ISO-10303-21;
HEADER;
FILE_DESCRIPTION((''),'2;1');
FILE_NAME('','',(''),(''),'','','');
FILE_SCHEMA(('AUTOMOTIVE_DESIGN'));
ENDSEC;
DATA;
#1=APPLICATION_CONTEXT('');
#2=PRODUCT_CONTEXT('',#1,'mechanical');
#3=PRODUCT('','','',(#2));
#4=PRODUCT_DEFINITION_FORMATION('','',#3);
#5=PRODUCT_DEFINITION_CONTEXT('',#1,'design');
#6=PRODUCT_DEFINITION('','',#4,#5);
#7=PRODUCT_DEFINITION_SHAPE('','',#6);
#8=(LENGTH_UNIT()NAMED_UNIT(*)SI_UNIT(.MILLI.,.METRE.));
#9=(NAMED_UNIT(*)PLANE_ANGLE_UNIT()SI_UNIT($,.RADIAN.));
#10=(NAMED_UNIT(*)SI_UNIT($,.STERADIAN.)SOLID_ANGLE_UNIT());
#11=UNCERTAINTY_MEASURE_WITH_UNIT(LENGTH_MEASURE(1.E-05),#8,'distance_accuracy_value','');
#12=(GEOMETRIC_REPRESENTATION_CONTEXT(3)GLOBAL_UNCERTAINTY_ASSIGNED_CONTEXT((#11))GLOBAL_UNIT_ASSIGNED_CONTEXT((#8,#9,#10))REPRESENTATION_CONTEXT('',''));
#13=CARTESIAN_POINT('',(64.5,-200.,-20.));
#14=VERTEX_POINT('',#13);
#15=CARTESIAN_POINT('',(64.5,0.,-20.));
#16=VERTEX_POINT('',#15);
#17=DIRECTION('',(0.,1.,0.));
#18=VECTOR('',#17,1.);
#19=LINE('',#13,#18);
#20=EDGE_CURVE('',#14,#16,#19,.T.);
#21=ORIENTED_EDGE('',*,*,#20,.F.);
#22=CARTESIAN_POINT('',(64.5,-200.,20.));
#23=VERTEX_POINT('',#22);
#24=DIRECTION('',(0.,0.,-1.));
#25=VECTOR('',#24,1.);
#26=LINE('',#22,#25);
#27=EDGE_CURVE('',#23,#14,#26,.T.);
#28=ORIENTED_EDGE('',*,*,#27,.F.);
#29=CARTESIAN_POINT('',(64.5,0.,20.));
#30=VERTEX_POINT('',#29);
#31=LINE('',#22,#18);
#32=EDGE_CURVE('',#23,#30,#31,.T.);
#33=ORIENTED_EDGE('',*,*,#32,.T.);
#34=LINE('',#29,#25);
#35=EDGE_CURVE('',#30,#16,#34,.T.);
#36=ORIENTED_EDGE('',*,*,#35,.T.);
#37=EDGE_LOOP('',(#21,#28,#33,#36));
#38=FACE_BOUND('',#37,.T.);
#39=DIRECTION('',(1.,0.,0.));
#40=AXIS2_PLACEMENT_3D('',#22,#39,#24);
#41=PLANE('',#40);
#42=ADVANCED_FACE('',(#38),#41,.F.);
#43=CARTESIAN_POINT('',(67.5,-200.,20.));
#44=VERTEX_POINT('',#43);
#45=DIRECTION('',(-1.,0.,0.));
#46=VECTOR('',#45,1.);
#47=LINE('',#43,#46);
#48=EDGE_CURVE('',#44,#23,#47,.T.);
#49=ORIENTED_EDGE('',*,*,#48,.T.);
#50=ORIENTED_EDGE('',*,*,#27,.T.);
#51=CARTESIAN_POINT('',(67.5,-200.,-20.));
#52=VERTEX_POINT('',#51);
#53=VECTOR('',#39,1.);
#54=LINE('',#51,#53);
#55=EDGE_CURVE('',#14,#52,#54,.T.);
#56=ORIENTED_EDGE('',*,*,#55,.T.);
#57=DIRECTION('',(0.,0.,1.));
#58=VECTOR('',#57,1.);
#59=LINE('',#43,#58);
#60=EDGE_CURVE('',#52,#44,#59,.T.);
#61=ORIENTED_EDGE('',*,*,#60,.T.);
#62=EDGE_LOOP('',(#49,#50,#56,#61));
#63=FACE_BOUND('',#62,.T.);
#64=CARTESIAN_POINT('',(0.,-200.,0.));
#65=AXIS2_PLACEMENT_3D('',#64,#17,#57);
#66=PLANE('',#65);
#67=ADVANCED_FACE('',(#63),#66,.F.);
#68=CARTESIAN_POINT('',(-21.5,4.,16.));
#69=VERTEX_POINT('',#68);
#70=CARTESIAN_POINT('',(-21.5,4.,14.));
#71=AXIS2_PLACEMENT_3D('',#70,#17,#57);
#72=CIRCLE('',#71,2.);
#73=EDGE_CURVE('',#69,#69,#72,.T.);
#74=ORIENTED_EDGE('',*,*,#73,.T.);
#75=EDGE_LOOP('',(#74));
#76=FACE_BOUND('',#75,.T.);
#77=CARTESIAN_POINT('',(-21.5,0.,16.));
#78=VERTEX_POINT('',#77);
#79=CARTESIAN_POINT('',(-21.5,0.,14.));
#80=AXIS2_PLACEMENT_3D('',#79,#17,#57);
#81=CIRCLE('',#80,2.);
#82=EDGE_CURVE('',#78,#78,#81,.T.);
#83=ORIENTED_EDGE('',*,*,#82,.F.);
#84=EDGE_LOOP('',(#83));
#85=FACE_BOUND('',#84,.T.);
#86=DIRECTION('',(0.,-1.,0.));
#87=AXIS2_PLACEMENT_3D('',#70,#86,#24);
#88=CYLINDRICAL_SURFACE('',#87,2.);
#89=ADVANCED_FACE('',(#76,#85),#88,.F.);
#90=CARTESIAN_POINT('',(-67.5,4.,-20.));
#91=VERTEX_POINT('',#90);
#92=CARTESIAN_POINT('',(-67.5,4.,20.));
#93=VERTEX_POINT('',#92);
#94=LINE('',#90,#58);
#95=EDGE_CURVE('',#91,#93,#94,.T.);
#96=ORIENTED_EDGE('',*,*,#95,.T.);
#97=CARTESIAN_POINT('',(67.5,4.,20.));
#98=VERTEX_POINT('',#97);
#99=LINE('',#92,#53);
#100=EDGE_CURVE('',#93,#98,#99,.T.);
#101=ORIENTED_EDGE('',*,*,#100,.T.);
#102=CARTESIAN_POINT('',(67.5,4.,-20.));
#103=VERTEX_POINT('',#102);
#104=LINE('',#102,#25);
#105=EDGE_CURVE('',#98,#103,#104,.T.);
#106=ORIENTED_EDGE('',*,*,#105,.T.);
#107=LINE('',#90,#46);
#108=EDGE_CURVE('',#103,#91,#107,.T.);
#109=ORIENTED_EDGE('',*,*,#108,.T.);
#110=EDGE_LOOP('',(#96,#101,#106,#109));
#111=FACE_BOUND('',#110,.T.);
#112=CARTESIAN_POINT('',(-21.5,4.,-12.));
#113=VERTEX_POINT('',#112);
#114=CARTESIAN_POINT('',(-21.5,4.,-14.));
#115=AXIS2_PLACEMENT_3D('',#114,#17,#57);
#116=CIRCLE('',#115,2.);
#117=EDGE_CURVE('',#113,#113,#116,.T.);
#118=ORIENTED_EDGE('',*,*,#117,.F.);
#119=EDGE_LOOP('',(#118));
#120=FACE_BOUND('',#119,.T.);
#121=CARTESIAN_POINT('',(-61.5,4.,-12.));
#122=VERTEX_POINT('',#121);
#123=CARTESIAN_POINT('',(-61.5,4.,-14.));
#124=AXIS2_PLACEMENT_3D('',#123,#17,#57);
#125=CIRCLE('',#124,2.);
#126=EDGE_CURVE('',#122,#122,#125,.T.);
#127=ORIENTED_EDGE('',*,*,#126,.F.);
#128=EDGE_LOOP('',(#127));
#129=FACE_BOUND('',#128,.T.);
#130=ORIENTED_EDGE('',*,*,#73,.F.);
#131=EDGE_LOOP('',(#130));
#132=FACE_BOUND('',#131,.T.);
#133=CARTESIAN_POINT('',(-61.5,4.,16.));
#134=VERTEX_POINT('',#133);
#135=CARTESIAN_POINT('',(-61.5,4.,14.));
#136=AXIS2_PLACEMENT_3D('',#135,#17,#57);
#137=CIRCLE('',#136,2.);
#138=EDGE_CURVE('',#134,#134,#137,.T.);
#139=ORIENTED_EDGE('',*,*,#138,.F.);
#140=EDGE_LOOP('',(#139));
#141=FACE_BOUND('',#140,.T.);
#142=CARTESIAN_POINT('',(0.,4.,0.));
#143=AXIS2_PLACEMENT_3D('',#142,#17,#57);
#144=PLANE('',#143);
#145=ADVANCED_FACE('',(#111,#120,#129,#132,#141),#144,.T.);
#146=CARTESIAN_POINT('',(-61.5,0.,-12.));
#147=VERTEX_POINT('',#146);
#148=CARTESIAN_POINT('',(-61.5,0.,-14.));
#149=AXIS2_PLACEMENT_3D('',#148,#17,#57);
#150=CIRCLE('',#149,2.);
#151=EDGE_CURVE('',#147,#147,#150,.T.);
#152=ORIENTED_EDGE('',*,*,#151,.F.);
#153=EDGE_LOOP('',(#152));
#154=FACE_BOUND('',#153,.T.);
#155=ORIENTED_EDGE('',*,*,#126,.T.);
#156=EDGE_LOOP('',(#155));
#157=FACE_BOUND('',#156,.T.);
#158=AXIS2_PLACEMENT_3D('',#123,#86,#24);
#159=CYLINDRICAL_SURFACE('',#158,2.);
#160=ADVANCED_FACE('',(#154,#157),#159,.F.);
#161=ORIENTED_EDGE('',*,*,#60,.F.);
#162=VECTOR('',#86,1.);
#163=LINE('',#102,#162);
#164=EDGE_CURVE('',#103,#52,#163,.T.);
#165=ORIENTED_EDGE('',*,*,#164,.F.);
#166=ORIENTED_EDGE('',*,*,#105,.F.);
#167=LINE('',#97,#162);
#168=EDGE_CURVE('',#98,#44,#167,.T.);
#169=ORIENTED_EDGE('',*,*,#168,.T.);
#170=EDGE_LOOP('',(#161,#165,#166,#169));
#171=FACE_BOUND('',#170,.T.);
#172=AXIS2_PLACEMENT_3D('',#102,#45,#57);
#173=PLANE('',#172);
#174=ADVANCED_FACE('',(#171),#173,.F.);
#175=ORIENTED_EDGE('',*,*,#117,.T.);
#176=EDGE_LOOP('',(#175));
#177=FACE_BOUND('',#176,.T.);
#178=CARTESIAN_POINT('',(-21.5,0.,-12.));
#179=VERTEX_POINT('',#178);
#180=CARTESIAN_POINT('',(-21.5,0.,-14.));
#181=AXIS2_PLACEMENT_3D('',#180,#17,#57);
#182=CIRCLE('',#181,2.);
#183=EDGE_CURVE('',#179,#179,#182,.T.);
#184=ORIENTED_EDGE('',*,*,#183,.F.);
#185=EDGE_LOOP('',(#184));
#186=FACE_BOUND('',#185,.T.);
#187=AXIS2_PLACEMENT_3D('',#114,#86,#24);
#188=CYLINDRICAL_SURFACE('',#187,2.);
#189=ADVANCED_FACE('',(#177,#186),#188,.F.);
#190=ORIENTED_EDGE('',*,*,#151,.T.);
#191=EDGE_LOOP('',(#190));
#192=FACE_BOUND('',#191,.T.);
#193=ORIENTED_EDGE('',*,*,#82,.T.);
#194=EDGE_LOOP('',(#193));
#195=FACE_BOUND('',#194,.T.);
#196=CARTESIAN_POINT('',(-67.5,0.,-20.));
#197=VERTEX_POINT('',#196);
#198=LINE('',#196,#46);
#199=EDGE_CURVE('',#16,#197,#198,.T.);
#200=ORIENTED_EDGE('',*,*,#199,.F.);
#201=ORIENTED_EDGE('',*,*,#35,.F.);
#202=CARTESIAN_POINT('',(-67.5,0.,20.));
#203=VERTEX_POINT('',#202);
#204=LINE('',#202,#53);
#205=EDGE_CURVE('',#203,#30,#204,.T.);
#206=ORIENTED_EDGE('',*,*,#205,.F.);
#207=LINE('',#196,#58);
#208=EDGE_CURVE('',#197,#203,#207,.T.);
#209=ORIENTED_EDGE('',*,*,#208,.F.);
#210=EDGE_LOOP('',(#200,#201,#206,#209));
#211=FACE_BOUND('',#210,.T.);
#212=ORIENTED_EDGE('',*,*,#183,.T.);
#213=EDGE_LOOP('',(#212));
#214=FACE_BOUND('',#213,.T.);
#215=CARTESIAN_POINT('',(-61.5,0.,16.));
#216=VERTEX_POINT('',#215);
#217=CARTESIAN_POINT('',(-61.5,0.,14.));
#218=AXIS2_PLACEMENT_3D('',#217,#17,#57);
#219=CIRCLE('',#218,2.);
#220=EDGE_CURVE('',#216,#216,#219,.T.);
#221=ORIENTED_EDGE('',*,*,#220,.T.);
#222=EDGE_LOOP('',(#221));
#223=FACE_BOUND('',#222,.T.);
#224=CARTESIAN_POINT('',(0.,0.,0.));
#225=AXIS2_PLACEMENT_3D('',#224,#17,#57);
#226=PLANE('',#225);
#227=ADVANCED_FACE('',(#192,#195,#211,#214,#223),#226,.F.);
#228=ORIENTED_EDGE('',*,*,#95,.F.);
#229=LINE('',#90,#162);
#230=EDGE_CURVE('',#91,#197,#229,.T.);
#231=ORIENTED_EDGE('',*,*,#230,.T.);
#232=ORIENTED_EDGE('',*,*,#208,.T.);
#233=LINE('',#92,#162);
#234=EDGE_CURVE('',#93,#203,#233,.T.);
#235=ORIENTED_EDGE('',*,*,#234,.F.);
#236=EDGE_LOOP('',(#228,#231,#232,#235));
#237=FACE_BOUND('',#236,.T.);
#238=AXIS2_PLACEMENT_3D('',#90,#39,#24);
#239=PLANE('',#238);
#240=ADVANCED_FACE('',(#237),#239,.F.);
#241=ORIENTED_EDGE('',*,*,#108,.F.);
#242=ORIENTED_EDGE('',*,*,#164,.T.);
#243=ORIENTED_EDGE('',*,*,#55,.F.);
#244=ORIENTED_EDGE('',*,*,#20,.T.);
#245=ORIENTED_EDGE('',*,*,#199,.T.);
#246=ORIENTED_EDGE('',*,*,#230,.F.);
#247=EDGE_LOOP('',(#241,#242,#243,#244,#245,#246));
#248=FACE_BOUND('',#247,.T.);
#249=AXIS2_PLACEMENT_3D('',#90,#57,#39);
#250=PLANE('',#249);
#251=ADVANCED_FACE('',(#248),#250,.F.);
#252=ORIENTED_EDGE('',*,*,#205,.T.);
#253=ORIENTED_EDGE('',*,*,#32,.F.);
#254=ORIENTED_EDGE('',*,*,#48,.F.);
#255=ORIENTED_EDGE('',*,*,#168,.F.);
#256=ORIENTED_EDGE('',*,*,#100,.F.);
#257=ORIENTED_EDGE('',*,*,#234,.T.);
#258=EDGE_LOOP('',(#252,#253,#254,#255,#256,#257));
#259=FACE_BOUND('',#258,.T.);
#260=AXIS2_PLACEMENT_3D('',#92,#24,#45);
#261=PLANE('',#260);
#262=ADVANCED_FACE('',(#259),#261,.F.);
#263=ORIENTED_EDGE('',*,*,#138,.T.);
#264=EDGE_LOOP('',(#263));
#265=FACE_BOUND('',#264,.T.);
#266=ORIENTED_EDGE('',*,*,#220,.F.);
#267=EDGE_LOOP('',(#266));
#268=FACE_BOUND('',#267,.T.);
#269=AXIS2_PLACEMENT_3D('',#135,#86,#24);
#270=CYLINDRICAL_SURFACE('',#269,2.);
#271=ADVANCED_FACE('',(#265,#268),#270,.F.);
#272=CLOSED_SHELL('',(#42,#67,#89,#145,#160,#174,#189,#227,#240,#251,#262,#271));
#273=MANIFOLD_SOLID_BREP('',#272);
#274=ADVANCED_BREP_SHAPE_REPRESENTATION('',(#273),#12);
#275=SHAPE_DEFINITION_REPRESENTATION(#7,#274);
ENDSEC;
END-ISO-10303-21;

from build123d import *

# Parameters (mm, degrees)
SKETCH1_W           = 135
SKETCH1_H           = 40
SKETCH1_R           = 2
BOSS_EXTRUDE1_DEPTH = 4
SKETCH3_W           = 3
SKETCH3_H           = 40
BOSS_EXTRUDE3_DEPTH = 200


with BuildPart() as part:
    # Sketch1 → Boss-Extrude1 (new body)
    with BuildSketch(Plane(origin=(0, 0, 0), x_dir=(1, 0, 0), z_dir=(0, 1, 0))):
        Rectangle(SKETCH1_W, SKETCH1_H)
        with Locations(Location((-21.5, 14, 0), (0, 0, 270))):
            Circle(SKETCH1_R, mode=Mode.SUBTRACT)
        with Locations(Location((-21.5, -14, 0), (0, 0, 270))):
            Circle(SKETCH1_R, mode=Mode.SUBTRACT)
        with Locations(Location((-61.5, -14, 0), (0, 0, 270))):
            Circle(SKETCH1_R, mode=Mode.SUBTRACT)
        with Locations(Location((-61.5, 14, 0), (0, 0, 270))):
            Circle(SKETCH1_R, mode=Mode.SUBTRACT)
    extrude(amount=BOSS_EXTRUDE1_DEPTH)

    # Sketch3 → Boss-Extrude3 (add)
    with BuildSketch(Plane.XZ):
        with Locations((66, 0)):
            Rectangle(SKETCH3_W, SKETCH3_H)
    extrude(amount=BOSS_EXTRUDE3_DEPTH)


solid = part.part
